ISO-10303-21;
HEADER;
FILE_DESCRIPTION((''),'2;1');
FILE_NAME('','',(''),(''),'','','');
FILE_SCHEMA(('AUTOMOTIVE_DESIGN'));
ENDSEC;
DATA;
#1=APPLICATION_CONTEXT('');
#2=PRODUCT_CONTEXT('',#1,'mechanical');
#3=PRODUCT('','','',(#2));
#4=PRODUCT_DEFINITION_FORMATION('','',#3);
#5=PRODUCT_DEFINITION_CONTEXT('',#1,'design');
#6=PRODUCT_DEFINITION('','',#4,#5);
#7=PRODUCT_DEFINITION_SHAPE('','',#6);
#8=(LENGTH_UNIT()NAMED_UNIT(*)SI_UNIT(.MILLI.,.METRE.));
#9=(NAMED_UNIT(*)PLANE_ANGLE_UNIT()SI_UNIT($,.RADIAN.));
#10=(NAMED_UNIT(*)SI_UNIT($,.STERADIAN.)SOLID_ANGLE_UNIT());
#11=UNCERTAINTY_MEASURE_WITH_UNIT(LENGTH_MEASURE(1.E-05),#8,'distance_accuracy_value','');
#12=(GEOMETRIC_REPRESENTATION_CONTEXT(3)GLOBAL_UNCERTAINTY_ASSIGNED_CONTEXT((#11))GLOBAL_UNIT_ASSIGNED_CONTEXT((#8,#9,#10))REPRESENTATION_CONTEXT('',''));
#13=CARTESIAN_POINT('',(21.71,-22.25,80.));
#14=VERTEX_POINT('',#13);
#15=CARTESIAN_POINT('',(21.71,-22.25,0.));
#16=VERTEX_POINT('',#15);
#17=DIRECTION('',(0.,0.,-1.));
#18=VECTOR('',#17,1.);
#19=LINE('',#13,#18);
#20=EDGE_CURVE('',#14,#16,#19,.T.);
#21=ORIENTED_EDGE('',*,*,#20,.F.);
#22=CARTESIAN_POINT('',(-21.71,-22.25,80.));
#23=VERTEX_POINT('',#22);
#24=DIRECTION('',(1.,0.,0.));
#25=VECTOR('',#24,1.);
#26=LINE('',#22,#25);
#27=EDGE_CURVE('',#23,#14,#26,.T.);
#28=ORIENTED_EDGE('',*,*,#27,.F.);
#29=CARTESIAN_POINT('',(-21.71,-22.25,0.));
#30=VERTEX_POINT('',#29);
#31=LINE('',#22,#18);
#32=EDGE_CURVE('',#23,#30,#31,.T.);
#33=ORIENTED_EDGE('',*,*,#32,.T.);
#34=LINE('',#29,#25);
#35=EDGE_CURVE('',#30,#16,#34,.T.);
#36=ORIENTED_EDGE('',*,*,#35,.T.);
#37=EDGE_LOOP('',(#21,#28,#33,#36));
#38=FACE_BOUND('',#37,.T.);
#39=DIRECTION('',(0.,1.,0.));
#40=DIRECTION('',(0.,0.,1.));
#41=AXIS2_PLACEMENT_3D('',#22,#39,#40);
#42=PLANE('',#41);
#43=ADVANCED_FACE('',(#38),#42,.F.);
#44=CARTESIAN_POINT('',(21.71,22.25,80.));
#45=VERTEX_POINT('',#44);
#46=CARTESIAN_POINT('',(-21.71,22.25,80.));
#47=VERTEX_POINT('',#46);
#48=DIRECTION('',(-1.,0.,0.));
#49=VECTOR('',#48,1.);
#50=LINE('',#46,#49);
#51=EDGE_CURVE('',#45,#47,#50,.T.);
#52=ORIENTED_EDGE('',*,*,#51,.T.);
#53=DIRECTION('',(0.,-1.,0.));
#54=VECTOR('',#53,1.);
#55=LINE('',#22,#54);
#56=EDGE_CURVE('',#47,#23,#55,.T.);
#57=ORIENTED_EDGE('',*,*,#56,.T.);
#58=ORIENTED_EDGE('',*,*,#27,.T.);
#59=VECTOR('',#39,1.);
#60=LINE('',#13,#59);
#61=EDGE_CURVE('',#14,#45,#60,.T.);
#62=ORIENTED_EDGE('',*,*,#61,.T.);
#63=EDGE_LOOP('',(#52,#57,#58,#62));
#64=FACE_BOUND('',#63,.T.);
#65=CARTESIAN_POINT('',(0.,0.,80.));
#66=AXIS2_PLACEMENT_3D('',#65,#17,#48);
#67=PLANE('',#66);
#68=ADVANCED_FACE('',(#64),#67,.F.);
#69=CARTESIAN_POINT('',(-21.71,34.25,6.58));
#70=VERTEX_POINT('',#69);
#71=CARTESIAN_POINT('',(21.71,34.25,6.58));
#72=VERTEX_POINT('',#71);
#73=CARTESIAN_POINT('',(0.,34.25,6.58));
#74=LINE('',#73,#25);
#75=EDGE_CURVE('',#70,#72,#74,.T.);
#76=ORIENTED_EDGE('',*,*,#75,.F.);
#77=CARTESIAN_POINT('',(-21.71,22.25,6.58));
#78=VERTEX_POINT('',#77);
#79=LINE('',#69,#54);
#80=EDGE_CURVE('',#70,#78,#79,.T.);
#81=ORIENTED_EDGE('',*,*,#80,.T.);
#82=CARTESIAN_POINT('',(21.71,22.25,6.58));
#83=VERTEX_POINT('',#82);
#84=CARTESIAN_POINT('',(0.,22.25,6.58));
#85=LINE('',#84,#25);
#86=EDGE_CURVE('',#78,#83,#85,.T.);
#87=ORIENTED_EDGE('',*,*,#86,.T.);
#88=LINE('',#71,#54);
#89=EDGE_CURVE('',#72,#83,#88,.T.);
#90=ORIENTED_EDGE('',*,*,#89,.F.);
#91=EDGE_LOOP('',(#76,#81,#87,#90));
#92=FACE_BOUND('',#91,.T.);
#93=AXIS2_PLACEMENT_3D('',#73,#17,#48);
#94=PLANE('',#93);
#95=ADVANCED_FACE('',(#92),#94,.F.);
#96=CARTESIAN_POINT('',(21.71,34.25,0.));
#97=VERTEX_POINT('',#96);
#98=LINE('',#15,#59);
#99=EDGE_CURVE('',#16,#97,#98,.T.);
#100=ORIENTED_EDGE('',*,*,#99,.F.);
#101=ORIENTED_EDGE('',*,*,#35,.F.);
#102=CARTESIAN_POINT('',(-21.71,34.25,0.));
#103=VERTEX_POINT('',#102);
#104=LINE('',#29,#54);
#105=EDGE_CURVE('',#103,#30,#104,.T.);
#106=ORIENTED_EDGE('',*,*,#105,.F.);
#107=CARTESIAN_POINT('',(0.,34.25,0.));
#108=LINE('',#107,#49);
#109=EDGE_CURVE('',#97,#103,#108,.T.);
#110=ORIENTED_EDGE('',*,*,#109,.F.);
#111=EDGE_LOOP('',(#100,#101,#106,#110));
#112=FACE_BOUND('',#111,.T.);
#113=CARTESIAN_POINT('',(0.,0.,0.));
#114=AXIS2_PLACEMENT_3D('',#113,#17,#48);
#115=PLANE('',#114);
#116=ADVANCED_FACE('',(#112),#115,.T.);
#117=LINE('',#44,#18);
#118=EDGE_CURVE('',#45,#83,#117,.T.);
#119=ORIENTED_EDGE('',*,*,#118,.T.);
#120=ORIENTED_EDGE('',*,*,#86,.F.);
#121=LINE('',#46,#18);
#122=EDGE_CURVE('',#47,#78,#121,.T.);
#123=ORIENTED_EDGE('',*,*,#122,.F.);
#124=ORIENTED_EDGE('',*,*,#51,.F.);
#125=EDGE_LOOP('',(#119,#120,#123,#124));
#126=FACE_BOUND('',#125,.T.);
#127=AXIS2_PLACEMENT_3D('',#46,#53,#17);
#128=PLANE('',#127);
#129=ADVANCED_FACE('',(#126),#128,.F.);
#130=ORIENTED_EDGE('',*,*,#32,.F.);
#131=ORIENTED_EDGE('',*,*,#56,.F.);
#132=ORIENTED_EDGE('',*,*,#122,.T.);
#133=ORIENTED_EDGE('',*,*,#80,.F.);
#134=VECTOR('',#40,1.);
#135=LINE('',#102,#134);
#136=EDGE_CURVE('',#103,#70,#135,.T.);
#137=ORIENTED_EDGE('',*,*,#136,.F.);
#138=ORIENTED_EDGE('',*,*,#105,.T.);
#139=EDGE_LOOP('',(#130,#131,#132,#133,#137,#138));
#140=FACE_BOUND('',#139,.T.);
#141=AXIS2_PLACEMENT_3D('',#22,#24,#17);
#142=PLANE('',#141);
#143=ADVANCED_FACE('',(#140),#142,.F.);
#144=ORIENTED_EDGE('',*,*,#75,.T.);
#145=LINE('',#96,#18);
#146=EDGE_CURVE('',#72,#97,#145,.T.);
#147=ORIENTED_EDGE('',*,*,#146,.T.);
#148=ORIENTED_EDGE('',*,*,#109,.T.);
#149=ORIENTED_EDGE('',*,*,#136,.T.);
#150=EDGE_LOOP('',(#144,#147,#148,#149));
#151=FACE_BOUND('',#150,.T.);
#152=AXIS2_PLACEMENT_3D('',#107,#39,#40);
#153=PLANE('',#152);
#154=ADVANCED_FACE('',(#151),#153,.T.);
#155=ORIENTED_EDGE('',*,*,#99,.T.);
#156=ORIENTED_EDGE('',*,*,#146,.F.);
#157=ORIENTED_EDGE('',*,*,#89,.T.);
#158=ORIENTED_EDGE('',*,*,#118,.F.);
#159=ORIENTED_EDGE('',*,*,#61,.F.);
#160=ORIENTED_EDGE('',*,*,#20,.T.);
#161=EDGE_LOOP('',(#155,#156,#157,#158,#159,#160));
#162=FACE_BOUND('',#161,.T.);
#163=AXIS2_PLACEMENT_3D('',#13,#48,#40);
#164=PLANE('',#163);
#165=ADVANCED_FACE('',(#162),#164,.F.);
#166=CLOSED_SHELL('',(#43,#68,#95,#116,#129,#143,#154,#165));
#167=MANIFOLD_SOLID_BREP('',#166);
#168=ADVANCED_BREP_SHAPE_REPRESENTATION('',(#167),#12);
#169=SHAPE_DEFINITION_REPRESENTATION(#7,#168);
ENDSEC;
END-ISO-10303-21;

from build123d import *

# Parameters (mm, degrees)
SKETCH_1_W      = 43.42
SKETCH_1_H      = 44.5
EXTRUDE_1_DEPTH = 80
SKETCH_3_W      = 43.42
SKETCH_3_H      = 6.58
EXTRUDE_2_DEPTH = 12


with BuildPart() as part:
    # 草图1 → 凸台-拉伸1 (new body)
    with BuildSketch(Plane.XY):
        Rectangle(SKETCH_1_W, SKETCH_1_H)
    extrude(amount=EXTRUDE_1_DEPTH)

    # 草图3 → 凸台-拉伸2 (add)
    with BuildSketch(Plane(origin=(0, 22.25, 0), x_dir=(1, 0, 0), z_dir=(0, 1, 0))):
        with Locations((0, -3.29)):
            Rectangle(SKETCH_3_W, SKETCH_3_H)
    extrude(amount=EXTRUDE_2_DEPTH)


solid = part.part
